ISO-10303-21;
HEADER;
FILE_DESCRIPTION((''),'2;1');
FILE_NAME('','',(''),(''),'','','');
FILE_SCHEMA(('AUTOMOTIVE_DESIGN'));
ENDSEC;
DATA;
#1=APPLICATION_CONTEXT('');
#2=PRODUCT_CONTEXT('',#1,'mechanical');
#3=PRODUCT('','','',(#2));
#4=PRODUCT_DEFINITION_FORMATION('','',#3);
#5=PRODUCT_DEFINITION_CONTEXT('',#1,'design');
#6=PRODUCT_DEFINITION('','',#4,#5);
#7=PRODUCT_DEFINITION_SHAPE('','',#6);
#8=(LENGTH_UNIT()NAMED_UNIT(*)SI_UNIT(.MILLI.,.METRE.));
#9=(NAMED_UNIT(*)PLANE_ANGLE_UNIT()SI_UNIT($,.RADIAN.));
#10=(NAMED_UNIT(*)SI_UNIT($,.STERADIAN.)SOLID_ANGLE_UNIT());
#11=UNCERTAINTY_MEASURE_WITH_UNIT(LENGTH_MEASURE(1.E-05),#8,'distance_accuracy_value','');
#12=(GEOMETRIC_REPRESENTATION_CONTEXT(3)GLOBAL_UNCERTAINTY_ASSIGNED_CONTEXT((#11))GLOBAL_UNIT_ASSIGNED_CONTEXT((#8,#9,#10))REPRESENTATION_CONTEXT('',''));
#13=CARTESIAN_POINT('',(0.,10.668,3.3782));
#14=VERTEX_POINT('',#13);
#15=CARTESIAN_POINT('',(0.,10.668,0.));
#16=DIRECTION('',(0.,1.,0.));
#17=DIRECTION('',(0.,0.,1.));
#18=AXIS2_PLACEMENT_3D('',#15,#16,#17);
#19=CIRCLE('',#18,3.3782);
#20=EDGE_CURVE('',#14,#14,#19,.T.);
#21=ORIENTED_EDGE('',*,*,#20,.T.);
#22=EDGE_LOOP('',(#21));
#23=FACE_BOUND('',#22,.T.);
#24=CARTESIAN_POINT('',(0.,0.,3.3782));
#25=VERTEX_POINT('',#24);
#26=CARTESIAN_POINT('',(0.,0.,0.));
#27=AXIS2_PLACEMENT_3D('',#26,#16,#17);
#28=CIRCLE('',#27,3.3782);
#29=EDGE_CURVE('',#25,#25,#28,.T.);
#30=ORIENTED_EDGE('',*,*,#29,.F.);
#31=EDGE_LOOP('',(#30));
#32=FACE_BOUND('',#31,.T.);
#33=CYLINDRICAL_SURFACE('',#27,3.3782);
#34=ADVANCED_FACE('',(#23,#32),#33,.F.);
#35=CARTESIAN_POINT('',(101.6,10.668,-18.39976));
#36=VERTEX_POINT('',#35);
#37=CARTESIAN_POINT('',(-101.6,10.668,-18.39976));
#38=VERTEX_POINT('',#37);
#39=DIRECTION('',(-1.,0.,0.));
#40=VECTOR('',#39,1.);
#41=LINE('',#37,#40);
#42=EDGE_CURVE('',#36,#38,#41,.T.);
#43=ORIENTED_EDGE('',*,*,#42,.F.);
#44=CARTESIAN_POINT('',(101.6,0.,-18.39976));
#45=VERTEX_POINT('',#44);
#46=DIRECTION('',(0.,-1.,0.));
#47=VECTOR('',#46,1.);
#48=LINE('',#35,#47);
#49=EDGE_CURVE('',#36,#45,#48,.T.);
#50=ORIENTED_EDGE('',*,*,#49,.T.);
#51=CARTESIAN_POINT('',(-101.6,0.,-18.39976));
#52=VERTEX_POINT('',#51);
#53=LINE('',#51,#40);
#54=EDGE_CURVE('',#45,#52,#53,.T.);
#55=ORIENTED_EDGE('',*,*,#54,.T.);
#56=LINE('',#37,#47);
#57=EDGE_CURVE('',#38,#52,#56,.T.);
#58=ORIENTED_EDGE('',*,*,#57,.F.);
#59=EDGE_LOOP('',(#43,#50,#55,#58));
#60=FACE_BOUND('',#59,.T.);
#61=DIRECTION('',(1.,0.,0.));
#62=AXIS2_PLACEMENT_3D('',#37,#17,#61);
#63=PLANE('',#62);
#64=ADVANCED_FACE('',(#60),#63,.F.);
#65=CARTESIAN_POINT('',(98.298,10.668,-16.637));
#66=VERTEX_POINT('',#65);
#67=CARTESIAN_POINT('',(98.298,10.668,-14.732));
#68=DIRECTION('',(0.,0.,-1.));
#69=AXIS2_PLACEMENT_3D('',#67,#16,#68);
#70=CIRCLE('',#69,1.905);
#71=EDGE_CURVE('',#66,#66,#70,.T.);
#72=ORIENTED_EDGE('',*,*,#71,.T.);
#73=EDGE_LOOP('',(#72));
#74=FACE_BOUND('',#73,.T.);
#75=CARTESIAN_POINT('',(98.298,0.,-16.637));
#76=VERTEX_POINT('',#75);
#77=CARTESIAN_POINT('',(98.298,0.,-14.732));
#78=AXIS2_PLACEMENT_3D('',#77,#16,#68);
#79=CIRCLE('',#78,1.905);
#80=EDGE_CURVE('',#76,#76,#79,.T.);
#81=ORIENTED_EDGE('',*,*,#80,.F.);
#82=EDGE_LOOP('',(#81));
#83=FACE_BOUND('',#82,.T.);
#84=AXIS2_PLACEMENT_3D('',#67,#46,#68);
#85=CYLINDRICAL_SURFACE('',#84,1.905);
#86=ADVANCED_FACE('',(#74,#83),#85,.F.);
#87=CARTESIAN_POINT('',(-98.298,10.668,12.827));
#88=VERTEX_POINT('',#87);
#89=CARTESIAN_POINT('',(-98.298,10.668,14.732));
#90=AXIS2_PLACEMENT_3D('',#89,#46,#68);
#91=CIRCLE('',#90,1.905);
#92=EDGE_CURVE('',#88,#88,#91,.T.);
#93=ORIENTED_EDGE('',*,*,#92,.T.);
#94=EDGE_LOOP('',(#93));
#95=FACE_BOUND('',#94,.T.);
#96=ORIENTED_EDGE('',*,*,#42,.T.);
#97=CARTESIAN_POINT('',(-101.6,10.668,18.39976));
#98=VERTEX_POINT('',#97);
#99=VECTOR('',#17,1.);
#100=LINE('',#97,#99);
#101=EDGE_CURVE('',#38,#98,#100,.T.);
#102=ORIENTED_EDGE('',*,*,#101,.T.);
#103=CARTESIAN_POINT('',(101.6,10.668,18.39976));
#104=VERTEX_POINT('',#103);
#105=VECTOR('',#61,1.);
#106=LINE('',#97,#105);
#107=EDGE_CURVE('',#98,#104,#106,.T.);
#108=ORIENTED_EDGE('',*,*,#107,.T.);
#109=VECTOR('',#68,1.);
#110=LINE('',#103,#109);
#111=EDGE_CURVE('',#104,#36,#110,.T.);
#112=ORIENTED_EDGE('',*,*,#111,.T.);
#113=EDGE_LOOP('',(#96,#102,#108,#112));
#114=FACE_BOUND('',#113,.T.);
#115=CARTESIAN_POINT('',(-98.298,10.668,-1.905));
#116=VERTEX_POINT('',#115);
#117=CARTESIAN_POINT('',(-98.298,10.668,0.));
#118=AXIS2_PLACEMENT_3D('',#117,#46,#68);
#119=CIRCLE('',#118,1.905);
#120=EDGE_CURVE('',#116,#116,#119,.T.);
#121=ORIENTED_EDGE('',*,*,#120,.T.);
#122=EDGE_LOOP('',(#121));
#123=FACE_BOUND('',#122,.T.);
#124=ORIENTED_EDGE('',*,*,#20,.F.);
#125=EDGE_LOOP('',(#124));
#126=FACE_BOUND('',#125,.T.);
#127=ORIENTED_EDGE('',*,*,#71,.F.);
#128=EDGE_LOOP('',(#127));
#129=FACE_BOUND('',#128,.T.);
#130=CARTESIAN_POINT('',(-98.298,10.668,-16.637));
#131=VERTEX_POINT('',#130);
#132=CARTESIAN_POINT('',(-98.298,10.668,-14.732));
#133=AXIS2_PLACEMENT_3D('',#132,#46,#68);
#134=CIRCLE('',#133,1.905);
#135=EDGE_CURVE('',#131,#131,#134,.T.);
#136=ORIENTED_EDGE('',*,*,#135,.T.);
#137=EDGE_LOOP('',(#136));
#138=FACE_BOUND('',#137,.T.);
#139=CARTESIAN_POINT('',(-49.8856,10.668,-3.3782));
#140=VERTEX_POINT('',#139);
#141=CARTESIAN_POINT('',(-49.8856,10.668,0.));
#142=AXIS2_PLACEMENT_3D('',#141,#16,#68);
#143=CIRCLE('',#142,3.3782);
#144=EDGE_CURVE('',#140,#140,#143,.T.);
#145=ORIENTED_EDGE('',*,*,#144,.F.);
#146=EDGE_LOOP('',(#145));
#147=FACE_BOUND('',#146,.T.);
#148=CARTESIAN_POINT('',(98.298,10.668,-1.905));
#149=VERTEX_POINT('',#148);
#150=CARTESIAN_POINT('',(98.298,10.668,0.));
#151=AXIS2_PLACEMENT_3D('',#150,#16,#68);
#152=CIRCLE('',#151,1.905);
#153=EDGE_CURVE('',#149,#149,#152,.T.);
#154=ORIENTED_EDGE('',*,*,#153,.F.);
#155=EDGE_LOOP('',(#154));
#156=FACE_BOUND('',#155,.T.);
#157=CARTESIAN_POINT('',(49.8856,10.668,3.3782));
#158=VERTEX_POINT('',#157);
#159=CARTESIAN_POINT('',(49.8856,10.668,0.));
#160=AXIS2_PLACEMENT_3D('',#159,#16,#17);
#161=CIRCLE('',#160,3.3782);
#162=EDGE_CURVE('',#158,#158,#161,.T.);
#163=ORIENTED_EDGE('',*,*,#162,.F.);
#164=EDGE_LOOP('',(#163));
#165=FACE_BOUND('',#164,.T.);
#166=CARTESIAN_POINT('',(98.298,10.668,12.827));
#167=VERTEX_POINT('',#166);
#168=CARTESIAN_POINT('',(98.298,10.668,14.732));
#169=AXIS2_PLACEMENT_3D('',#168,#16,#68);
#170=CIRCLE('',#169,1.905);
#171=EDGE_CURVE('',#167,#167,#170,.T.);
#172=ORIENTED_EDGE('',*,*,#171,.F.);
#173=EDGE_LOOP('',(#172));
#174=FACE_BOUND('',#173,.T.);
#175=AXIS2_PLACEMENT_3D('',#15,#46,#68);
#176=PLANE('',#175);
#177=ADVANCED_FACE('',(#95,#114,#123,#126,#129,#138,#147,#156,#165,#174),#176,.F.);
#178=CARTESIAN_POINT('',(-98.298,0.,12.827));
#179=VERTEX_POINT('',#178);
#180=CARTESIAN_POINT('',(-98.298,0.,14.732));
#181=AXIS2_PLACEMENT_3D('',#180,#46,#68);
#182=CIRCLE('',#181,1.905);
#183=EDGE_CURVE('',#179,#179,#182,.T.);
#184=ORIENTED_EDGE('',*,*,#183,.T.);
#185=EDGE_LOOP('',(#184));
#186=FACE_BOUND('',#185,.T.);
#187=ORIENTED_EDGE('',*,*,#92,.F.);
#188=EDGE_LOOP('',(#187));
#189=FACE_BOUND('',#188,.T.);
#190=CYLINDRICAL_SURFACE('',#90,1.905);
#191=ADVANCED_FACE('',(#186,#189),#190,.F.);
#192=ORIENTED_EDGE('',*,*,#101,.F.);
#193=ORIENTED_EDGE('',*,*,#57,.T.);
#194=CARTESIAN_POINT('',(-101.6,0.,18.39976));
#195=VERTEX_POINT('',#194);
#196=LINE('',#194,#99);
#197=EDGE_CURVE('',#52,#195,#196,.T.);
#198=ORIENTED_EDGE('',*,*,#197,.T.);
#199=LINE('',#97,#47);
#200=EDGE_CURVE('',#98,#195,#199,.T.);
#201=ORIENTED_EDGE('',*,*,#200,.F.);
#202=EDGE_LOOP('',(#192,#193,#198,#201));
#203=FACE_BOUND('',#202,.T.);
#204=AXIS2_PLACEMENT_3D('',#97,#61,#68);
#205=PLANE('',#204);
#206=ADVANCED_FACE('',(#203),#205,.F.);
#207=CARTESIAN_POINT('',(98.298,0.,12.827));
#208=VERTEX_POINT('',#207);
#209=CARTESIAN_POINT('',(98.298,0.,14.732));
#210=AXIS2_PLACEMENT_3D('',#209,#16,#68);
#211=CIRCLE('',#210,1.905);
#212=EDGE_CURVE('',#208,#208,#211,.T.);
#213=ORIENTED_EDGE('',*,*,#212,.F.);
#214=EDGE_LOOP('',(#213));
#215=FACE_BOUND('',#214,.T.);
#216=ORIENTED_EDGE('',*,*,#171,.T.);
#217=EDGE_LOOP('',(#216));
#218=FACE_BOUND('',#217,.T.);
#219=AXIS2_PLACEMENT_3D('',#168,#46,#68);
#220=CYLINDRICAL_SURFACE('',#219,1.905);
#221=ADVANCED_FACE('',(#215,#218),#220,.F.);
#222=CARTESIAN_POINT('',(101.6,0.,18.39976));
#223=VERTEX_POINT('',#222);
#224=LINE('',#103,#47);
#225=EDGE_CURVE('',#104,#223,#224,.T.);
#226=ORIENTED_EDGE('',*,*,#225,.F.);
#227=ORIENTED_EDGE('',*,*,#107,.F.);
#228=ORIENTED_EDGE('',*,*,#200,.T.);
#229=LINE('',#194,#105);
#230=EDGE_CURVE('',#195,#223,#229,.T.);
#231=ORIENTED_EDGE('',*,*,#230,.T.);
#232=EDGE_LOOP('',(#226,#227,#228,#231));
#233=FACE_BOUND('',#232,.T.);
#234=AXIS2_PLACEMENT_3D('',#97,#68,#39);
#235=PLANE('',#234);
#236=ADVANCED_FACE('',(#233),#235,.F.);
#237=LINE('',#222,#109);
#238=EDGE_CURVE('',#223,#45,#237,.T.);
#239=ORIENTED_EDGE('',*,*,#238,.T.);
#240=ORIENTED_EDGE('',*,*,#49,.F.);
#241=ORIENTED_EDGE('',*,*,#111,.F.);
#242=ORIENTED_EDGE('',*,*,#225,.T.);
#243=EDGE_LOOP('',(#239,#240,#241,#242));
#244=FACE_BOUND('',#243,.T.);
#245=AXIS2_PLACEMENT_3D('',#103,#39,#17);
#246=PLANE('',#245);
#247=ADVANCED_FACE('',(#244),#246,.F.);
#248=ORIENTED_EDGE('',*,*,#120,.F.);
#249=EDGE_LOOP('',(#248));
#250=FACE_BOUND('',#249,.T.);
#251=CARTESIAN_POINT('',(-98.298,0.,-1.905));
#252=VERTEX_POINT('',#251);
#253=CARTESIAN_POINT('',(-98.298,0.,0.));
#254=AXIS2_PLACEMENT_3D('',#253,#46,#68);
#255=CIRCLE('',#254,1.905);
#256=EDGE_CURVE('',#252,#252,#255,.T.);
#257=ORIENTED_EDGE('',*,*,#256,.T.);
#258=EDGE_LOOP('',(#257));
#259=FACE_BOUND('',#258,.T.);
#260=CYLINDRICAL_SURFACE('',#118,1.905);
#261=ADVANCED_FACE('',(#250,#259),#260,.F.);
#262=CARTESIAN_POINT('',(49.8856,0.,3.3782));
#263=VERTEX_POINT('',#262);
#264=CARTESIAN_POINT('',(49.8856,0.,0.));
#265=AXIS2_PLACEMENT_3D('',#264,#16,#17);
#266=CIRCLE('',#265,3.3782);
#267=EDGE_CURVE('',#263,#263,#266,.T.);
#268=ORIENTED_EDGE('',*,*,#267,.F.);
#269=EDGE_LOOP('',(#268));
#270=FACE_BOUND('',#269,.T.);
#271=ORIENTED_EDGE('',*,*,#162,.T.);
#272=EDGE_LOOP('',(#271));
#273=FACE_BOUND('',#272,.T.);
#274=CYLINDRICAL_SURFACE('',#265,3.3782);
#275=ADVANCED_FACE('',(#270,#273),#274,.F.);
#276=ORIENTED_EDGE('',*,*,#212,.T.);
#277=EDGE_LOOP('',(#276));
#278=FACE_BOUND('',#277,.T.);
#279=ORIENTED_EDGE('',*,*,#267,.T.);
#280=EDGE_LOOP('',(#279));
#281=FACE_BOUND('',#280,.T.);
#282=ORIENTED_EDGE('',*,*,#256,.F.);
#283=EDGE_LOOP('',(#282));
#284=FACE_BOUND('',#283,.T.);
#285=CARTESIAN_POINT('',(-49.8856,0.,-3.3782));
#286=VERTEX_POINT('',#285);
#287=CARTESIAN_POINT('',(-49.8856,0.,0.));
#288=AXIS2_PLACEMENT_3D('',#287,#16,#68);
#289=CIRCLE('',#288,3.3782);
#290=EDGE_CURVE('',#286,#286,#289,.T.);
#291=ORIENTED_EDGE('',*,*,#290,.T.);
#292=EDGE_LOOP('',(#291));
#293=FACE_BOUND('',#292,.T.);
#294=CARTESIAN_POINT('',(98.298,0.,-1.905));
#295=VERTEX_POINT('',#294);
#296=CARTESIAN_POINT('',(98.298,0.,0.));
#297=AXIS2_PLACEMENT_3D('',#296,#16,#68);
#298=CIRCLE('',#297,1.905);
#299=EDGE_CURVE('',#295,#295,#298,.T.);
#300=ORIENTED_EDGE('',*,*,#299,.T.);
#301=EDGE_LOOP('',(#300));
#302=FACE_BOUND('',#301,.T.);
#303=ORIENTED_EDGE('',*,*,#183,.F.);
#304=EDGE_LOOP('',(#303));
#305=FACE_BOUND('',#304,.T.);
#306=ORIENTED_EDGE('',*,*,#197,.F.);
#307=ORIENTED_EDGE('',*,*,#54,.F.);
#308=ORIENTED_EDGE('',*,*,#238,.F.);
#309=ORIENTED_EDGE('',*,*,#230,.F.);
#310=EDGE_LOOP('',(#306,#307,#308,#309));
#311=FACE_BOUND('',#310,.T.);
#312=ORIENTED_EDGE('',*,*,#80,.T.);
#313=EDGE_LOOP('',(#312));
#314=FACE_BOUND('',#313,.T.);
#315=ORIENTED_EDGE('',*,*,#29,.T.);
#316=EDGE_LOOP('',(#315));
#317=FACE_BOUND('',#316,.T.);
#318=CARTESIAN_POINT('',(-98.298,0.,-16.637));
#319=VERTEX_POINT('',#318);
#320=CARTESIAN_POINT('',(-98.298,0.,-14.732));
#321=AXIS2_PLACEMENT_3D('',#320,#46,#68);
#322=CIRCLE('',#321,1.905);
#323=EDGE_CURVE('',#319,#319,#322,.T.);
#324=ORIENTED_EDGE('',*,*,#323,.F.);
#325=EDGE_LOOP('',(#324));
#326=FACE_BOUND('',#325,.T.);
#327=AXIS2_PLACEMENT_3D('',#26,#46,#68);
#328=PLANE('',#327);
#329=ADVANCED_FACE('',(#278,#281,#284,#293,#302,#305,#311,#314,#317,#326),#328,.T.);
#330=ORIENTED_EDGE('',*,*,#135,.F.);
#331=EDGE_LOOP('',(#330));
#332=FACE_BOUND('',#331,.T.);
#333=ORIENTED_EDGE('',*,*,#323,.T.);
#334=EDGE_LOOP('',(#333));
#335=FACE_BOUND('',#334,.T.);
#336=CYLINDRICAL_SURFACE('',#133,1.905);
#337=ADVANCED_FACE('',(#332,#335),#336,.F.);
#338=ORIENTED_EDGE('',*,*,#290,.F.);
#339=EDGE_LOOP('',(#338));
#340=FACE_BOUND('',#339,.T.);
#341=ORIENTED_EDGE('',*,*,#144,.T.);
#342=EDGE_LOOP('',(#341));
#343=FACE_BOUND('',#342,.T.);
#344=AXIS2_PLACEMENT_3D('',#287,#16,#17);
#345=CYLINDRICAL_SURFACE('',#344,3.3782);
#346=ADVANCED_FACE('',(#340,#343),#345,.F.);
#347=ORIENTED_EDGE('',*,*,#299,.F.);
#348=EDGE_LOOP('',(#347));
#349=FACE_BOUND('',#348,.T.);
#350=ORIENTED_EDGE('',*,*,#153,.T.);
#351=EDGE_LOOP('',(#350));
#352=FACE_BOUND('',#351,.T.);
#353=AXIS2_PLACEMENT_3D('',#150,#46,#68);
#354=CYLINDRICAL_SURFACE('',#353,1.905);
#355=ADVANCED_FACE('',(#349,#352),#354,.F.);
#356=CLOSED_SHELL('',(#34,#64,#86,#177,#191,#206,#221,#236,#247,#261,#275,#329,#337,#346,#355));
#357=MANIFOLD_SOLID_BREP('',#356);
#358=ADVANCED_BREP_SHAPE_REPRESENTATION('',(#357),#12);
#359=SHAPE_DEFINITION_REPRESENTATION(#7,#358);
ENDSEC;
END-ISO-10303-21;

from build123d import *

# Parameters (mm, degrees)
SKETCH1_W           = 203.2
SKETCH1_H           = 36.79952
BOSS_EXTRUDE1_DEPTH = 10.668
SKETCH3_R           = 1.905
CUT_EXTRUDE1_DEPTH  = 11.668
SKETCH4_R           = 3.3782
CUT_EXTRUDE2_DEPTH  = 11.668


with BuildPart() as part:
    # Sketch1 → Boss-Extrude1 (new body)
    with BuildSketch(Plane(origin=(0, 0, 0), x_dir=(1, 0, 0), z_dir=(0, 1, 0))):
        Rectangle(SKETCH1_W, SKETCH1_H)
    extrude(amount=BOSS_EXTRUDE1_DEPTH)

    # Sketch3 → Cut-Extrude1 (cut, through all)
    with BuildSketch(Plane.XZ):
        with Locations((-98.298, 14.732)):
            Circle(SKETCH3_R)
        with Locations((-98.298, 0)):
            Circle(SKETCH3_R)
        with Locations((-98.298, -14.732)):
            Circle(SKETCH3_R)
    cut_extrude1 = extrude(amount=-CUT_EXTRUDE1_DEPTH, mode=Mode.SUBTRACT)

    # Mirror1: Cut-Extrude1 across plane
    add(cut_extrude1.mirror(Plane(origin=(0, 0, 0), x_dir=(0, 0, 1), z_dir=(1, 0, 0))), mode=Mode.SUBTRACT)

    # Sketch4 → Cut-Extrude2 (cut, through all)
    with BuildSketch(Plane(origin=(0, 10.668, 0), x_dir=(1, 0, 0), z_dir=(0, 1, 0))):
        with Locations((-49.8856, 0)):
            Circle(SKETCH4_R)
        Circle(SKETCH4_R)
        with Locations((49.8856, 0)):
            Circle(SKETCH4_R)
    extrude(amount=-CUT_EXTRUDE2_DEPTH, mode=Mode.SUBTRACT)


solid = part.part
